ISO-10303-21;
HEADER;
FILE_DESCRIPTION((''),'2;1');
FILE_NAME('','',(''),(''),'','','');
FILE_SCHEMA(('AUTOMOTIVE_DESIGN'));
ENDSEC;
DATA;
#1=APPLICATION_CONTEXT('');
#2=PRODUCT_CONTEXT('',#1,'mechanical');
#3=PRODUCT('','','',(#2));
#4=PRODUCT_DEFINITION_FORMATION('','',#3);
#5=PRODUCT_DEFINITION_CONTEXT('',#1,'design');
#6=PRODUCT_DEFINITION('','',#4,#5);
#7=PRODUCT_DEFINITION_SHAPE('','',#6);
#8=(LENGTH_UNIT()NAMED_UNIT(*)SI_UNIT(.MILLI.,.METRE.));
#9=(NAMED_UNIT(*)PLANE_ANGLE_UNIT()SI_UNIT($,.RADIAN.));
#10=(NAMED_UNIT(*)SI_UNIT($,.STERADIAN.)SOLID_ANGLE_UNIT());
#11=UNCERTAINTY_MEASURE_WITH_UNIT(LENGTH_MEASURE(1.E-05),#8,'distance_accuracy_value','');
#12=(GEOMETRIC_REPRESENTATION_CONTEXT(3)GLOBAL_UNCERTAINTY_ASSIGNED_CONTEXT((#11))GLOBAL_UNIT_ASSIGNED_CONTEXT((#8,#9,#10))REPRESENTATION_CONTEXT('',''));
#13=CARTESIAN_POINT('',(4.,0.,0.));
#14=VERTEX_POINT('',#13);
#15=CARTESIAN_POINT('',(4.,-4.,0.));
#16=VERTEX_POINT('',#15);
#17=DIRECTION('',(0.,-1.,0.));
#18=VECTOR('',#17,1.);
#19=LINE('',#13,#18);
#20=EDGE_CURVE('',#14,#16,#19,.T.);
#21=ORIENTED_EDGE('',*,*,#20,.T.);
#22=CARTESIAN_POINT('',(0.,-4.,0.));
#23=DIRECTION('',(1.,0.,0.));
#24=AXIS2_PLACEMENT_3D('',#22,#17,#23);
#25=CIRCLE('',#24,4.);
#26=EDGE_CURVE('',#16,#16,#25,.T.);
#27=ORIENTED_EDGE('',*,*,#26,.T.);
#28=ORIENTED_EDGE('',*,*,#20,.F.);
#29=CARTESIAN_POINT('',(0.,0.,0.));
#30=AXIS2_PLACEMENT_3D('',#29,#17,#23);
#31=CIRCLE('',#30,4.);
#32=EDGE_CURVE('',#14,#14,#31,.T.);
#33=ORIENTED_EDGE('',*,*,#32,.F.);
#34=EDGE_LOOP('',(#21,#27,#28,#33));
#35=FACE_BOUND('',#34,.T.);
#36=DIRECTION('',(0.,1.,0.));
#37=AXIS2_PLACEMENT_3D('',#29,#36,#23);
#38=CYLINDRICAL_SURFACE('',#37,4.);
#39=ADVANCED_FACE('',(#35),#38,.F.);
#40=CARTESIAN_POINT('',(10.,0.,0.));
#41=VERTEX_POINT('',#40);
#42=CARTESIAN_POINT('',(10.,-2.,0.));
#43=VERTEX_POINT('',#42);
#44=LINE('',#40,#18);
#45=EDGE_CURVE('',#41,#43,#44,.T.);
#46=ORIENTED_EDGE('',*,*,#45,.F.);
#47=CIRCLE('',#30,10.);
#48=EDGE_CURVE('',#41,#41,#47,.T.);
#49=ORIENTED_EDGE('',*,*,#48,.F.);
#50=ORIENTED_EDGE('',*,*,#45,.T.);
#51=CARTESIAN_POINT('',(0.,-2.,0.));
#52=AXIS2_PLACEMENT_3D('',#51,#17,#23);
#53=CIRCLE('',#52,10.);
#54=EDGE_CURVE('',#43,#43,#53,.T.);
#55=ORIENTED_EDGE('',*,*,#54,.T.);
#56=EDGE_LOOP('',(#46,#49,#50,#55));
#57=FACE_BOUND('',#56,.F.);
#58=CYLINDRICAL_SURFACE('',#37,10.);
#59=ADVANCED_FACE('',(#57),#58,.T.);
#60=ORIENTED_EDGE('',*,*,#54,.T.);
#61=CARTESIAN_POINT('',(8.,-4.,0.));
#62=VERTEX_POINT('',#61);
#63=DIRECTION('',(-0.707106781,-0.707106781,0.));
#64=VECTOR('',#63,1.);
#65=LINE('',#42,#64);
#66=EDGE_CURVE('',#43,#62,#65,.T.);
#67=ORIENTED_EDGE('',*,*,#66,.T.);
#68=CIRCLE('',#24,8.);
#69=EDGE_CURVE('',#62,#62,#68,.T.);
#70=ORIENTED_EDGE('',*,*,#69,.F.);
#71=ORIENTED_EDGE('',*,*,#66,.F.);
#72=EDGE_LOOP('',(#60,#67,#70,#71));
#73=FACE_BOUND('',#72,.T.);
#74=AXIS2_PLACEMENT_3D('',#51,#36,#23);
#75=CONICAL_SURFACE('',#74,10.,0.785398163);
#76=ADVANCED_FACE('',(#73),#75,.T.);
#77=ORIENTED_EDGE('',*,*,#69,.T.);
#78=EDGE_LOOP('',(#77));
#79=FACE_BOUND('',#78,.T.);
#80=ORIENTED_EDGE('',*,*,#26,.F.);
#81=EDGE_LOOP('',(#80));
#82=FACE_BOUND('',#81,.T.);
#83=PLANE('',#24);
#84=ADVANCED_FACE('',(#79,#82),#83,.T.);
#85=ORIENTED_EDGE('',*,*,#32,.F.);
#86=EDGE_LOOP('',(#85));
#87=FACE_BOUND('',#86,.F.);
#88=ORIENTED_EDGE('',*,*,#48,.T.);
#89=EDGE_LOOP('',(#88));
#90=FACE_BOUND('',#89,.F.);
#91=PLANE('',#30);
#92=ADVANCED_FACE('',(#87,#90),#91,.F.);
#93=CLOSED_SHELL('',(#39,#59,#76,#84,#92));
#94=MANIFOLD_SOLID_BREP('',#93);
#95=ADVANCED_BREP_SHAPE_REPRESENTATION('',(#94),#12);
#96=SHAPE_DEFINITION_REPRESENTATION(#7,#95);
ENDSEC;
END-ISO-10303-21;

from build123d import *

# Parameters (mm, degrees)
SKETCH_R     = 10
SKETCH_R_2   = 4
PAD_DEPTH    = 4
CHAMFER_SIZE = 2


with BuildPart() as part:
    # Sketch → Pad (new body)
    with BuildSketch(Plane.XZ):
        Circle(SKETCH_R)
        Circle(SKETCH_R_2, mode=Mode.SUBTRACT)
    extrude(amount=PAD_DEPTH)

    # Chamfer
    chamfer_edges = [part.edges().sort_by_distance(p)[0] for p in [
        (-10, -4, 0),
    ]]
    chamfer(chamfer_edges, length=CHAMFER_SIZE)


solid = part.part
